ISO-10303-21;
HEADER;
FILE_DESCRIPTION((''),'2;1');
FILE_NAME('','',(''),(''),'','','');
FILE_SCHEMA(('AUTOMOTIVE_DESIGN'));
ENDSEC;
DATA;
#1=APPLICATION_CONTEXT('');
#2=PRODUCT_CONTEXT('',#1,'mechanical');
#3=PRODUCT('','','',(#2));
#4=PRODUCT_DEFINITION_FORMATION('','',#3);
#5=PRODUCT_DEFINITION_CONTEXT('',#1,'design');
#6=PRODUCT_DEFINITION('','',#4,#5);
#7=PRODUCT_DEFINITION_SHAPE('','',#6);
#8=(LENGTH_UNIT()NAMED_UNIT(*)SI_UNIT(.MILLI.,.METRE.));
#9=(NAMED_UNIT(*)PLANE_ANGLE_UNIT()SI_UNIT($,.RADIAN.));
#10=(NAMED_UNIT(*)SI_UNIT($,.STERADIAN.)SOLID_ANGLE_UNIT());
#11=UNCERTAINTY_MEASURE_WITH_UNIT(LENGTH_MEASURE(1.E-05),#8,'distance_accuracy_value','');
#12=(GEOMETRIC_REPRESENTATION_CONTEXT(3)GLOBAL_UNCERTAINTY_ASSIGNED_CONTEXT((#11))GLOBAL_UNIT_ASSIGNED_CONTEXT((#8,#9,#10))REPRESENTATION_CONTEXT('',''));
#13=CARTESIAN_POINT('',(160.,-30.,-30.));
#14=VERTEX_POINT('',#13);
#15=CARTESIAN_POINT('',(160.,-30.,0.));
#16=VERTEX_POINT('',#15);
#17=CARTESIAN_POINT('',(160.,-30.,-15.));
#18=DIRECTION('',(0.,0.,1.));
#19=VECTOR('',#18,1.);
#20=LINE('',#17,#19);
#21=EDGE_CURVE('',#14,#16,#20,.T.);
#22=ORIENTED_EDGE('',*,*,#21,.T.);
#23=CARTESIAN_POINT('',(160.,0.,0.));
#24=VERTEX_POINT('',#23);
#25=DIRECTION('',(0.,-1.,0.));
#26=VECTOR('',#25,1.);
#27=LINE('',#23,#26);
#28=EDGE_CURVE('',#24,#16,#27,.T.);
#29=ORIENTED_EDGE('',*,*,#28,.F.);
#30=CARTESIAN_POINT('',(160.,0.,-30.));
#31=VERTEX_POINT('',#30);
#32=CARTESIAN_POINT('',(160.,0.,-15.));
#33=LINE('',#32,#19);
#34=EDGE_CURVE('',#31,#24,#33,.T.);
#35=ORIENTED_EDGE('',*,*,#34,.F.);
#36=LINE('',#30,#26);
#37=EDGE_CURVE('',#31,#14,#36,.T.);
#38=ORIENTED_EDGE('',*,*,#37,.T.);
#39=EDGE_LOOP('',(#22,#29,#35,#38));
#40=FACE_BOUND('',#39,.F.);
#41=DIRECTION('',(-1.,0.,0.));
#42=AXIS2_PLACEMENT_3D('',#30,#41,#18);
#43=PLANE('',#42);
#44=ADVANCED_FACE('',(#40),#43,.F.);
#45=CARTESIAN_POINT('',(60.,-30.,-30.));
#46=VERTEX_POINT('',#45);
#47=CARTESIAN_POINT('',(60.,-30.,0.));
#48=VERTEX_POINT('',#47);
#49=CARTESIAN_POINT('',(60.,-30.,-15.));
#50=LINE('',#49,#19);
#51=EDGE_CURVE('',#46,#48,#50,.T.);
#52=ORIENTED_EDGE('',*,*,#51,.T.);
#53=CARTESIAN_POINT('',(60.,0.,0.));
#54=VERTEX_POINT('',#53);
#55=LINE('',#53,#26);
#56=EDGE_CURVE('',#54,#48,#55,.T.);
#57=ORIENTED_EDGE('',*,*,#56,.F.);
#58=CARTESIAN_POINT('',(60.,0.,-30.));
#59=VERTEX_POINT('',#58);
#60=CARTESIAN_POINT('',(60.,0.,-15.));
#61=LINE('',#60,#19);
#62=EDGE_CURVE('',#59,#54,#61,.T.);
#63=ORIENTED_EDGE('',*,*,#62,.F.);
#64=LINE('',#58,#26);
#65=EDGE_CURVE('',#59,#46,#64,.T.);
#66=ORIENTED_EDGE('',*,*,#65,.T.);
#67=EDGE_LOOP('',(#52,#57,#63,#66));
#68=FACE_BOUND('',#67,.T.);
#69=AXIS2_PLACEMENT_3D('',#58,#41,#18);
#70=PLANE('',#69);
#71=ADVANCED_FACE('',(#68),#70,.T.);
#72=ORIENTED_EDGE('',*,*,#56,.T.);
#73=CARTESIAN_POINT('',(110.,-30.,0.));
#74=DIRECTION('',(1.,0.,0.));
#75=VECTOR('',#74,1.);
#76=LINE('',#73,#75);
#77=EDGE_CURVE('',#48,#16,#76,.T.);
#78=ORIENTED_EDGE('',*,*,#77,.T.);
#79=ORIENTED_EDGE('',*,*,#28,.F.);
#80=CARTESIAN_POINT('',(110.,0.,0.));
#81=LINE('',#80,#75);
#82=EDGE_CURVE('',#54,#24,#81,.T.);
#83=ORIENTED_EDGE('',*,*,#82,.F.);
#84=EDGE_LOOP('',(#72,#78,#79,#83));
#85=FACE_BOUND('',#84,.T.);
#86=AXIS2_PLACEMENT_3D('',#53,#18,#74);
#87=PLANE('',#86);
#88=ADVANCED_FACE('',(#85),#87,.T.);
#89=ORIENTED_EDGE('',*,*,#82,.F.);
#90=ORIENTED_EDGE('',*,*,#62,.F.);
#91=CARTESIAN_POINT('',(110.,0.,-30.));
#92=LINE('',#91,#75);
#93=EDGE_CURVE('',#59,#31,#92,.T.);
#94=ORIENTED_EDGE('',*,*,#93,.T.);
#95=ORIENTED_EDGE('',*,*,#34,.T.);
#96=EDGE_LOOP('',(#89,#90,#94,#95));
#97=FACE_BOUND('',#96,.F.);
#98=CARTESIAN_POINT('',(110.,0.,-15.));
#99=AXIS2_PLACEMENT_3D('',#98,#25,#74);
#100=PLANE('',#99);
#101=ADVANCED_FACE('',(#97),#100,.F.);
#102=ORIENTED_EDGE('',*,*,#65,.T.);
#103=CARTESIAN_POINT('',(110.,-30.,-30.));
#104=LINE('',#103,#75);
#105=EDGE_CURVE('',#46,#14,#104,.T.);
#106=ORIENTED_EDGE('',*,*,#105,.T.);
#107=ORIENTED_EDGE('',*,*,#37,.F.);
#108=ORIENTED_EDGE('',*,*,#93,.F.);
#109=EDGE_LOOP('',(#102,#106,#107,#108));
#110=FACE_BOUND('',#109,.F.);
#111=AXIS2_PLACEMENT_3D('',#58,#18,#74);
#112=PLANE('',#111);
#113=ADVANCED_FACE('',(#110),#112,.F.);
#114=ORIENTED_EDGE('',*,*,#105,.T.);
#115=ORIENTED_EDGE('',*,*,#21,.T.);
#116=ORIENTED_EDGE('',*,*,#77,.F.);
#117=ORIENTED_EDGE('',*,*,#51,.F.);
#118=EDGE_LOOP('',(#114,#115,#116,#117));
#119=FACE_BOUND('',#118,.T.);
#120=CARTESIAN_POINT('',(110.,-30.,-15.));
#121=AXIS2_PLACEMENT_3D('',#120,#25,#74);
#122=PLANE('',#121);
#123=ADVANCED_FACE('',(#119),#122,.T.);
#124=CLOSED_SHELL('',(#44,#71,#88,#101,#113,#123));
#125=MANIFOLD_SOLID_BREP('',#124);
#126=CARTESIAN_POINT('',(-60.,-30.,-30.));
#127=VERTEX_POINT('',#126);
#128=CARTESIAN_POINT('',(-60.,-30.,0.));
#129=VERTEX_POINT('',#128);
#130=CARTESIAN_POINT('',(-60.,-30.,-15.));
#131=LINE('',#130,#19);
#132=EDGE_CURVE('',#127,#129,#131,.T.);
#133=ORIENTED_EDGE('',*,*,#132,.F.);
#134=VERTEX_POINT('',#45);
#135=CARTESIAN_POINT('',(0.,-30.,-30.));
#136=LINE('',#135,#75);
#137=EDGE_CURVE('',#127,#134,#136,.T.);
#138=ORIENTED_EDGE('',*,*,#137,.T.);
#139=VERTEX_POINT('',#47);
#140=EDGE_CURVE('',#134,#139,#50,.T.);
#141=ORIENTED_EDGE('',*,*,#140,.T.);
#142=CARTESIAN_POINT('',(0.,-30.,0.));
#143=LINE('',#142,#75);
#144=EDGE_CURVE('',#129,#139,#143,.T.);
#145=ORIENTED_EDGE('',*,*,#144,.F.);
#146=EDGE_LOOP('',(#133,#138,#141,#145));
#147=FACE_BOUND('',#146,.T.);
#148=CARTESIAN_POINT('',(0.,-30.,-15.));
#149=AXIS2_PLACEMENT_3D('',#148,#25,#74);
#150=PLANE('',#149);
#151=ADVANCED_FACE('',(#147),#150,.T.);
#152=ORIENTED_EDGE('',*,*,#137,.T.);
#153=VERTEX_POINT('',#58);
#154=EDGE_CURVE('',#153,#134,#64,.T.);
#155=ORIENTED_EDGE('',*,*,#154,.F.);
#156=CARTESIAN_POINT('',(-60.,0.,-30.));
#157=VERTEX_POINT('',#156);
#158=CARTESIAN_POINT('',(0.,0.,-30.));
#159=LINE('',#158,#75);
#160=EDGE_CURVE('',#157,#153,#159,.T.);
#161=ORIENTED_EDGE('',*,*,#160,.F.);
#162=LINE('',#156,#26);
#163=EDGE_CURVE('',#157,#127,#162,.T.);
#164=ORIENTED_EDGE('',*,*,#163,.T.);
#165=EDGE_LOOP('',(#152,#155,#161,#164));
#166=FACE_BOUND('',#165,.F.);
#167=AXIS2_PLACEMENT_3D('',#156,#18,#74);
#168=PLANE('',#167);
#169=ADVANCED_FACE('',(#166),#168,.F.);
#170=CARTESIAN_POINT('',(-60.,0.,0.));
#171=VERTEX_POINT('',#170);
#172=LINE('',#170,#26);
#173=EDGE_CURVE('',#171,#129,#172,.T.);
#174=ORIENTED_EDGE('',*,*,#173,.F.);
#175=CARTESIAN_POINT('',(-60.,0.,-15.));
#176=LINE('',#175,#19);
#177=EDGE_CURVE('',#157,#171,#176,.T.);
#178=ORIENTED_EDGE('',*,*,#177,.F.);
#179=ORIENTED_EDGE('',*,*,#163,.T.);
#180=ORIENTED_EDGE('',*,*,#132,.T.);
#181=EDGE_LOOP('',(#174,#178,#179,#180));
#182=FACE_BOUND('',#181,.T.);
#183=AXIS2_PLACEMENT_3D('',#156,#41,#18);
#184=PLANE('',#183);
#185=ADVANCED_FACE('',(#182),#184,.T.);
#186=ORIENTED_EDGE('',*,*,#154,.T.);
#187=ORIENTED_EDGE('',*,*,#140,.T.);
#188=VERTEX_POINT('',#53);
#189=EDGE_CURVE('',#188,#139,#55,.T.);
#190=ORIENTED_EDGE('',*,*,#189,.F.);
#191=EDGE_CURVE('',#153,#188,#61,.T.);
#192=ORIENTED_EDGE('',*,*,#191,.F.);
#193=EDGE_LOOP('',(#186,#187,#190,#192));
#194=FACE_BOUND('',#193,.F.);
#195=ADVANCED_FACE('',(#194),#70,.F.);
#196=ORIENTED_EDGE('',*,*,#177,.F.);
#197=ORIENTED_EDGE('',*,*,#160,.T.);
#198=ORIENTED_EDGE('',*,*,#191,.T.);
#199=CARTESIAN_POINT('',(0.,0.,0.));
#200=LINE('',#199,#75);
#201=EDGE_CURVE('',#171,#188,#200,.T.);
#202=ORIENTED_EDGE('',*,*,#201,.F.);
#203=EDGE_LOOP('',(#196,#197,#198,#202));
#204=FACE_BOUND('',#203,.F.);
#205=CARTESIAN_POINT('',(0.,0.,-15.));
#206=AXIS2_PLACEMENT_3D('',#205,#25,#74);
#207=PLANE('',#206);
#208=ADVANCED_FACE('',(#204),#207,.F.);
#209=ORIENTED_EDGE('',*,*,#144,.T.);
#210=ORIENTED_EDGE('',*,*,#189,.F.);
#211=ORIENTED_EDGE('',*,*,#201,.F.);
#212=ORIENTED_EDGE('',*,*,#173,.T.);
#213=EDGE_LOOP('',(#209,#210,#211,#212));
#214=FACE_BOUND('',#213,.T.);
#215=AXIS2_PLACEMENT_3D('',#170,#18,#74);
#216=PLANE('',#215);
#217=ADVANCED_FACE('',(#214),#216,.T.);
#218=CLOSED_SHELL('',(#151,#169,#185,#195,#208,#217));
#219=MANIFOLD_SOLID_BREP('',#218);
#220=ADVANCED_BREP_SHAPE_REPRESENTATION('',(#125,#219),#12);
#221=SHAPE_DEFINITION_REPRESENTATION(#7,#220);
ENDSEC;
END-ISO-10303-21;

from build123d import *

# Parameters (mm, degrees)
F1_W     = 120
F1_H     = 30
F3_DEPTH = 30
F1_W_2   = 100
F4_DEPTH = 30


with BuildPart() as f3:
    # F1 (on Front) → F3 (new body, through all)
    with BuildSketch(Plane.XZ):
        with Locations((0, -15)):
            Rectangle(F1_W, F1_H)
    extrude(amount=F3_DEPTH)


with BuildPart() as f4:
    # F1 (on Front) → F4 (new body, through all)
    with BuildSketch(Plane.XZ):
        with Locations((110, -15)):
            Rectangle(F1_W_2, F1_H)
    extrude(amount=F4_DEPTH)


solid = Compound([f3.part, f4.part])
